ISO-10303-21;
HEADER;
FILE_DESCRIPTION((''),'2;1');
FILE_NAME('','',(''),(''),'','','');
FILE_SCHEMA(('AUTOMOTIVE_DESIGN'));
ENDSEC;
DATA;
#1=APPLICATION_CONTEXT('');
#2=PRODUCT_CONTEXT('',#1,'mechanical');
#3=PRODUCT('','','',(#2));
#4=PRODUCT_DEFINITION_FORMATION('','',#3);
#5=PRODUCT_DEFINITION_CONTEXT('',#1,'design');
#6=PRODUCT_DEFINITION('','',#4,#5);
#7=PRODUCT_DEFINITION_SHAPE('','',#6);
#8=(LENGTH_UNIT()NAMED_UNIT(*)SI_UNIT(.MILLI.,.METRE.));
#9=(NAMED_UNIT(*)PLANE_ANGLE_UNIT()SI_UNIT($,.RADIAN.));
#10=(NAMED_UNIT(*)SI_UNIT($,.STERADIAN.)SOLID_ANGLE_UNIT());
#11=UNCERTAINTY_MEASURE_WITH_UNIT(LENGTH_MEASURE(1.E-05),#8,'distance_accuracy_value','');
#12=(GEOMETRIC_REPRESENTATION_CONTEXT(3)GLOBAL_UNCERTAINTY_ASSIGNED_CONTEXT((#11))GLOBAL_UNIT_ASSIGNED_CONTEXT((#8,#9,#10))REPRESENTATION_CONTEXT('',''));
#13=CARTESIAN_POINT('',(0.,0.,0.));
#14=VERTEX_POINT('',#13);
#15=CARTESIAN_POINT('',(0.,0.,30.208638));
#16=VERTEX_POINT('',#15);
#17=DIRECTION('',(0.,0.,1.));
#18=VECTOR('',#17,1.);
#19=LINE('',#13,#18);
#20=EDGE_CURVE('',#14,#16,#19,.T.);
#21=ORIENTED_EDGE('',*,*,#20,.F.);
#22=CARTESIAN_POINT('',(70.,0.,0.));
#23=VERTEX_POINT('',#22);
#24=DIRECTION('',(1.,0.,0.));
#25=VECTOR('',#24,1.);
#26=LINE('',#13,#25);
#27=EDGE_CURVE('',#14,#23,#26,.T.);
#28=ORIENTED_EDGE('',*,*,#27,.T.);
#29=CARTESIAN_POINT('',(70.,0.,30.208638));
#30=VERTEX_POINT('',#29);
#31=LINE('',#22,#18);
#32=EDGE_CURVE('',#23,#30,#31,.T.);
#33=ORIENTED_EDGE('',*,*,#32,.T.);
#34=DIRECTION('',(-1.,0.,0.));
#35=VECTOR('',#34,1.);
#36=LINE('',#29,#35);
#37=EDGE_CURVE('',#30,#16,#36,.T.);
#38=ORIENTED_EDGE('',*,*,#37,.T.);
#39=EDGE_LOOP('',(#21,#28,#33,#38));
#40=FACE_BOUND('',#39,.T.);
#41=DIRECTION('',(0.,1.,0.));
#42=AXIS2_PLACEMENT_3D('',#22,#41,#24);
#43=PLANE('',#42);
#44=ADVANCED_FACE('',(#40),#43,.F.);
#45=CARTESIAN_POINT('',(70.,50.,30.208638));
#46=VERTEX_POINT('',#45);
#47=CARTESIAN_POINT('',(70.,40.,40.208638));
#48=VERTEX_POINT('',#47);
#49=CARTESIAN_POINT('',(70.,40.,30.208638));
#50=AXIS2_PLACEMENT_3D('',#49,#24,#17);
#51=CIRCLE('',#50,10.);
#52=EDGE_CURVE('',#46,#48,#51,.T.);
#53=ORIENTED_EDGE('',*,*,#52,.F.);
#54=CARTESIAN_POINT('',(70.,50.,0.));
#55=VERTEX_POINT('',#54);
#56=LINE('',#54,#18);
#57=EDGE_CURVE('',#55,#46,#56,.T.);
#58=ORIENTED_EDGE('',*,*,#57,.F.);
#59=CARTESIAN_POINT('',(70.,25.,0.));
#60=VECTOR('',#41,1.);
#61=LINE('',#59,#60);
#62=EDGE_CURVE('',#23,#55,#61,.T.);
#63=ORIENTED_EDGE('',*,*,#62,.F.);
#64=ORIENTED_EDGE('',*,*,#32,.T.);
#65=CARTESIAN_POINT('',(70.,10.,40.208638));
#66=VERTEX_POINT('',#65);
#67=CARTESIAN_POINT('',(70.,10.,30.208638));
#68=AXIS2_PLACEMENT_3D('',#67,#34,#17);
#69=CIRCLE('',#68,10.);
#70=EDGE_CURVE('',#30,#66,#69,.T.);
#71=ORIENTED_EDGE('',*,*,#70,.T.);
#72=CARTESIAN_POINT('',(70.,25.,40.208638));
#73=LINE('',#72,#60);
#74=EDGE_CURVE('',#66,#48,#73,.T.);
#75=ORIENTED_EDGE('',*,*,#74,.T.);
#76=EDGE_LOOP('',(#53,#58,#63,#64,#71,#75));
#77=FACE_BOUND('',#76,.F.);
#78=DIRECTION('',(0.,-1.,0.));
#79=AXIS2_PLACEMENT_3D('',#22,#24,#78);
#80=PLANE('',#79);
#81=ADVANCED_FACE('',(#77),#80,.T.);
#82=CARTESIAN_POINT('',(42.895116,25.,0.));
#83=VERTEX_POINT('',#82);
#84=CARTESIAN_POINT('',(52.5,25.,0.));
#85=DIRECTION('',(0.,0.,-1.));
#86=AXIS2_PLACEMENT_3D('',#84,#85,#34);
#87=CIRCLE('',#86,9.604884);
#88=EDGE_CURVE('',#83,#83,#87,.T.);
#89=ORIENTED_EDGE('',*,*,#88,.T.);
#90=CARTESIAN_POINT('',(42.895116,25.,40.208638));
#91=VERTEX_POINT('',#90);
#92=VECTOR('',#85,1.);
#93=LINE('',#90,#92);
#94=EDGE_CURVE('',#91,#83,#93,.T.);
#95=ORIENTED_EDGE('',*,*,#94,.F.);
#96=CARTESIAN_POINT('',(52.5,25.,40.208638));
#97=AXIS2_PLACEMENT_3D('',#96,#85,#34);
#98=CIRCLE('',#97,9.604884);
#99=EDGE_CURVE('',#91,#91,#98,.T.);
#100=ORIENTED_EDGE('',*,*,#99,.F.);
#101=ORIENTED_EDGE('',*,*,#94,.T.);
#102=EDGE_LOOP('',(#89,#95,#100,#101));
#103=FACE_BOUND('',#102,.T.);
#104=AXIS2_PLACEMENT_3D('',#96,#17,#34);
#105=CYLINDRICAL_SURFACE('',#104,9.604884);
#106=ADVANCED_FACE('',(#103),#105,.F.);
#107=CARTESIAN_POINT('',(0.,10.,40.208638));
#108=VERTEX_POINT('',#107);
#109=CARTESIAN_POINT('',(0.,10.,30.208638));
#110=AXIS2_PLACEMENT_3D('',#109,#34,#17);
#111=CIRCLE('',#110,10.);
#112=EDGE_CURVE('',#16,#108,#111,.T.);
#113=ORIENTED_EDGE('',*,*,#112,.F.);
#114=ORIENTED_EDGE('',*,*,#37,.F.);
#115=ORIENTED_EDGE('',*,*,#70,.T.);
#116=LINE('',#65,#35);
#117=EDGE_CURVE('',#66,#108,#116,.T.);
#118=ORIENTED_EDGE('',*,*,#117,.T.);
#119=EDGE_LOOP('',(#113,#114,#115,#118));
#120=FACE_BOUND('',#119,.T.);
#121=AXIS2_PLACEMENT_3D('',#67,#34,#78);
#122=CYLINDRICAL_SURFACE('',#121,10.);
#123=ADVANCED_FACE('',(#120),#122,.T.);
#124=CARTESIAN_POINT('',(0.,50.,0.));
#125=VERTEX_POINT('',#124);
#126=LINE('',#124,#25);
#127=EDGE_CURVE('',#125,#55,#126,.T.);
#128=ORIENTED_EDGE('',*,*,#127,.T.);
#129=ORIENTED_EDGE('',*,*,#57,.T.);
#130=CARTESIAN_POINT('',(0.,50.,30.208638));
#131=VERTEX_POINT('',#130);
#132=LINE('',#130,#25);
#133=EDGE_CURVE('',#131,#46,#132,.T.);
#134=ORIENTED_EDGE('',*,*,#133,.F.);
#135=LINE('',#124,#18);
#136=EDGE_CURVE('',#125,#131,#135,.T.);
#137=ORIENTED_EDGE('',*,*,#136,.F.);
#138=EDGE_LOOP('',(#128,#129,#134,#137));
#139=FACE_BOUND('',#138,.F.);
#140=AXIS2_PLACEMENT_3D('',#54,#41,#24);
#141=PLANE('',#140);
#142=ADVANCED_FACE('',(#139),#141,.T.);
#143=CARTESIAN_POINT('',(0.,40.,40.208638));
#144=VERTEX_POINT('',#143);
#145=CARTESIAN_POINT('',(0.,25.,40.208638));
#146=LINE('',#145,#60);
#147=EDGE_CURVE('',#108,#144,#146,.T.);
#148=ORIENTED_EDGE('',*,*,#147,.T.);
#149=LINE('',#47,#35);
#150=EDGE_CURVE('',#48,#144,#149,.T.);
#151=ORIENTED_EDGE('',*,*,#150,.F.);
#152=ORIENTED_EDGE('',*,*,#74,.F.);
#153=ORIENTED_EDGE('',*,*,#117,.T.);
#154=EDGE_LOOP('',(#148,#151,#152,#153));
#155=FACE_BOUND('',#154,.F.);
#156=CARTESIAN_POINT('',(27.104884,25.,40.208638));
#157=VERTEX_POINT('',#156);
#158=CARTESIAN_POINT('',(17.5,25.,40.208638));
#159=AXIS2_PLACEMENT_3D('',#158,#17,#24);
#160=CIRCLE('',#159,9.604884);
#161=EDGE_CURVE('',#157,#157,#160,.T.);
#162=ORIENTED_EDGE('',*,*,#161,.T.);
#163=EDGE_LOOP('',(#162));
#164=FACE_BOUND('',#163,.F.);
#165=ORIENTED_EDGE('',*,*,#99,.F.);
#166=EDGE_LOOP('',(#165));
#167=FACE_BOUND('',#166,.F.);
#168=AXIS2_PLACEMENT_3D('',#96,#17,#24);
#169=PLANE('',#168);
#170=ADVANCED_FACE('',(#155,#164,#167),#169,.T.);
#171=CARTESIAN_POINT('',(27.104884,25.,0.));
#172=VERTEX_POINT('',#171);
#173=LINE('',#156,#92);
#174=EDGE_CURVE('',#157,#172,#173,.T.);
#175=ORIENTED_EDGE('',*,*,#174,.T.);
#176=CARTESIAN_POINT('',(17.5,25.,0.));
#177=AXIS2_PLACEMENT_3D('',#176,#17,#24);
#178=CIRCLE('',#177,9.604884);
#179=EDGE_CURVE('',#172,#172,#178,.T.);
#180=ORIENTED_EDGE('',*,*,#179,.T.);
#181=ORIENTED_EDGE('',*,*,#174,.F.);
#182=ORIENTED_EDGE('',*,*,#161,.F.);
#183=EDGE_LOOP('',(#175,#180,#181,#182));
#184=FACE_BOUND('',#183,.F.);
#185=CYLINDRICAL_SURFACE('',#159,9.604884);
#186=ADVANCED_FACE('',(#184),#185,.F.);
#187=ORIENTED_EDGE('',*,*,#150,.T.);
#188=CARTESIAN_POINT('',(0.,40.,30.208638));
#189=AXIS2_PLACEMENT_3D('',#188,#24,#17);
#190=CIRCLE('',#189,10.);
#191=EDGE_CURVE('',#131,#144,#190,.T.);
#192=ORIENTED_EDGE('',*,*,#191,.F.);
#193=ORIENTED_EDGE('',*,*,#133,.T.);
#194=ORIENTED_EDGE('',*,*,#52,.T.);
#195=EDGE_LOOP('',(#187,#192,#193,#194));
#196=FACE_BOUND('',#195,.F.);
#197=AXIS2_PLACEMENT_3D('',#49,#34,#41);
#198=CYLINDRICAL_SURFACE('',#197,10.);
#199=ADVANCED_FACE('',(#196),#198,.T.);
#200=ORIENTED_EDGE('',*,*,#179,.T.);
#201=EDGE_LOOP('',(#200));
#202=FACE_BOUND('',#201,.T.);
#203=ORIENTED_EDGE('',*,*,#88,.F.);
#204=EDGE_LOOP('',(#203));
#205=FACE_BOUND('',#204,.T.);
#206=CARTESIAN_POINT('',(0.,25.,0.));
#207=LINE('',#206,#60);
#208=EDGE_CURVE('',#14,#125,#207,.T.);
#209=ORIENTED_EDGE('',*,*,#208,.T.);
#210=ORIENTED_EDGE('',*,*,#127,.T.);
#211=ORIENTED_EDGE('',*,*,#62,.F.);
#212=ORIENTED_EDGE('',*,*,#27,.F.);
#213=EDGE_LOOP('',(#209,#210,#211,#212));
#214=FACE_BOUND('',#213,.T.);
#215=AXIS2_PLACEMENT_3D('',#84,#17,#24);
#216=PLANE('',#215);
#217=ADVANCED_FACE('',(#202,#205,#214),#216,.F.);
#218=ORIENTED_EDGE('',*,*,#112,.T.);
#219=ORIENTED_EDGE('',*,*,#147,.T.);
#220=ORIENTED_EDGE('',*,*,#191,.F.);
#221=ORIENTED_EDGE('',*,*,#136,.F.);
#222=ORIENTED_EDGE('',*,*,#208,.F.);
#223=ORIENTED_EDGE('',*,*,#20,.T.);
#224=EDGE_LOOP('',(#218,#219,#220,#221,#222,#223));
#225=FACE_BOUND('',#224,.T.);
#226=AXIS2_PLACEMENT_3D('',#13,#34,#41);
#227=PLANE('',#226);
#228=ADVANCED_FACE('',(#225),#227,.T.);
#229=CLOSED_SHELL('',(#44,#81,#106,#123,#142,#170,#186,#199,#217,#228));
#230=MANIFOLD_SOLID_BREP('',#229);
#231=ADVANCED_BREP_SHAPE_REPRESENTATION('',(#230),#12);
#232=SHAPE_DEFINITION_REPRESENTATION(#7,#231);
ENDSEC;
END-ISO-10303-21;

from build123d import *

# Parameters (mm, degrees)
F0_W     = 35
F0_H     = 50
F1_DEPTH = 40.208638
F2_R     = 10
F3_R     = 9.604884
F4_DEPTH = 72.155587


with BuildPart() as f1:
    # F0 (on Top) → F1 (new body)
    with BuildSketch(Plane.XY):
        with Locations((17.5, 25)):
            Rectangle(F0_W, F0_H)
    extrude(amount=F1_DEPTH)

    # F2
    f2_edges = [f1.edges().sort_by_distance(p)[0] for p in [
        (17.5, 0, 40.208638),
        (17.5, 50, 40.208638),
    ]]
    fillet(f2_edges, radius=F2_R)

    # F3 (on face) → F4 (cut)
    with BuildSketch(Plane.XY.offset(40.208638)):
        with Locations((17.5, 25)):
            Circle(F3_R)
    extrude(amount=-F4_DEPTH, mode=Mode.SUBTRACT)

    # F5: F1 across face


with BuildPart() as f1_1:
    add(f1.part)
    add(f1.part.mirror(Plane(origin=(35, 25, 19.714479), x_dir=(0, 1, 0), z_dir=(1, 0, 0))))


solid = f1_1.part
